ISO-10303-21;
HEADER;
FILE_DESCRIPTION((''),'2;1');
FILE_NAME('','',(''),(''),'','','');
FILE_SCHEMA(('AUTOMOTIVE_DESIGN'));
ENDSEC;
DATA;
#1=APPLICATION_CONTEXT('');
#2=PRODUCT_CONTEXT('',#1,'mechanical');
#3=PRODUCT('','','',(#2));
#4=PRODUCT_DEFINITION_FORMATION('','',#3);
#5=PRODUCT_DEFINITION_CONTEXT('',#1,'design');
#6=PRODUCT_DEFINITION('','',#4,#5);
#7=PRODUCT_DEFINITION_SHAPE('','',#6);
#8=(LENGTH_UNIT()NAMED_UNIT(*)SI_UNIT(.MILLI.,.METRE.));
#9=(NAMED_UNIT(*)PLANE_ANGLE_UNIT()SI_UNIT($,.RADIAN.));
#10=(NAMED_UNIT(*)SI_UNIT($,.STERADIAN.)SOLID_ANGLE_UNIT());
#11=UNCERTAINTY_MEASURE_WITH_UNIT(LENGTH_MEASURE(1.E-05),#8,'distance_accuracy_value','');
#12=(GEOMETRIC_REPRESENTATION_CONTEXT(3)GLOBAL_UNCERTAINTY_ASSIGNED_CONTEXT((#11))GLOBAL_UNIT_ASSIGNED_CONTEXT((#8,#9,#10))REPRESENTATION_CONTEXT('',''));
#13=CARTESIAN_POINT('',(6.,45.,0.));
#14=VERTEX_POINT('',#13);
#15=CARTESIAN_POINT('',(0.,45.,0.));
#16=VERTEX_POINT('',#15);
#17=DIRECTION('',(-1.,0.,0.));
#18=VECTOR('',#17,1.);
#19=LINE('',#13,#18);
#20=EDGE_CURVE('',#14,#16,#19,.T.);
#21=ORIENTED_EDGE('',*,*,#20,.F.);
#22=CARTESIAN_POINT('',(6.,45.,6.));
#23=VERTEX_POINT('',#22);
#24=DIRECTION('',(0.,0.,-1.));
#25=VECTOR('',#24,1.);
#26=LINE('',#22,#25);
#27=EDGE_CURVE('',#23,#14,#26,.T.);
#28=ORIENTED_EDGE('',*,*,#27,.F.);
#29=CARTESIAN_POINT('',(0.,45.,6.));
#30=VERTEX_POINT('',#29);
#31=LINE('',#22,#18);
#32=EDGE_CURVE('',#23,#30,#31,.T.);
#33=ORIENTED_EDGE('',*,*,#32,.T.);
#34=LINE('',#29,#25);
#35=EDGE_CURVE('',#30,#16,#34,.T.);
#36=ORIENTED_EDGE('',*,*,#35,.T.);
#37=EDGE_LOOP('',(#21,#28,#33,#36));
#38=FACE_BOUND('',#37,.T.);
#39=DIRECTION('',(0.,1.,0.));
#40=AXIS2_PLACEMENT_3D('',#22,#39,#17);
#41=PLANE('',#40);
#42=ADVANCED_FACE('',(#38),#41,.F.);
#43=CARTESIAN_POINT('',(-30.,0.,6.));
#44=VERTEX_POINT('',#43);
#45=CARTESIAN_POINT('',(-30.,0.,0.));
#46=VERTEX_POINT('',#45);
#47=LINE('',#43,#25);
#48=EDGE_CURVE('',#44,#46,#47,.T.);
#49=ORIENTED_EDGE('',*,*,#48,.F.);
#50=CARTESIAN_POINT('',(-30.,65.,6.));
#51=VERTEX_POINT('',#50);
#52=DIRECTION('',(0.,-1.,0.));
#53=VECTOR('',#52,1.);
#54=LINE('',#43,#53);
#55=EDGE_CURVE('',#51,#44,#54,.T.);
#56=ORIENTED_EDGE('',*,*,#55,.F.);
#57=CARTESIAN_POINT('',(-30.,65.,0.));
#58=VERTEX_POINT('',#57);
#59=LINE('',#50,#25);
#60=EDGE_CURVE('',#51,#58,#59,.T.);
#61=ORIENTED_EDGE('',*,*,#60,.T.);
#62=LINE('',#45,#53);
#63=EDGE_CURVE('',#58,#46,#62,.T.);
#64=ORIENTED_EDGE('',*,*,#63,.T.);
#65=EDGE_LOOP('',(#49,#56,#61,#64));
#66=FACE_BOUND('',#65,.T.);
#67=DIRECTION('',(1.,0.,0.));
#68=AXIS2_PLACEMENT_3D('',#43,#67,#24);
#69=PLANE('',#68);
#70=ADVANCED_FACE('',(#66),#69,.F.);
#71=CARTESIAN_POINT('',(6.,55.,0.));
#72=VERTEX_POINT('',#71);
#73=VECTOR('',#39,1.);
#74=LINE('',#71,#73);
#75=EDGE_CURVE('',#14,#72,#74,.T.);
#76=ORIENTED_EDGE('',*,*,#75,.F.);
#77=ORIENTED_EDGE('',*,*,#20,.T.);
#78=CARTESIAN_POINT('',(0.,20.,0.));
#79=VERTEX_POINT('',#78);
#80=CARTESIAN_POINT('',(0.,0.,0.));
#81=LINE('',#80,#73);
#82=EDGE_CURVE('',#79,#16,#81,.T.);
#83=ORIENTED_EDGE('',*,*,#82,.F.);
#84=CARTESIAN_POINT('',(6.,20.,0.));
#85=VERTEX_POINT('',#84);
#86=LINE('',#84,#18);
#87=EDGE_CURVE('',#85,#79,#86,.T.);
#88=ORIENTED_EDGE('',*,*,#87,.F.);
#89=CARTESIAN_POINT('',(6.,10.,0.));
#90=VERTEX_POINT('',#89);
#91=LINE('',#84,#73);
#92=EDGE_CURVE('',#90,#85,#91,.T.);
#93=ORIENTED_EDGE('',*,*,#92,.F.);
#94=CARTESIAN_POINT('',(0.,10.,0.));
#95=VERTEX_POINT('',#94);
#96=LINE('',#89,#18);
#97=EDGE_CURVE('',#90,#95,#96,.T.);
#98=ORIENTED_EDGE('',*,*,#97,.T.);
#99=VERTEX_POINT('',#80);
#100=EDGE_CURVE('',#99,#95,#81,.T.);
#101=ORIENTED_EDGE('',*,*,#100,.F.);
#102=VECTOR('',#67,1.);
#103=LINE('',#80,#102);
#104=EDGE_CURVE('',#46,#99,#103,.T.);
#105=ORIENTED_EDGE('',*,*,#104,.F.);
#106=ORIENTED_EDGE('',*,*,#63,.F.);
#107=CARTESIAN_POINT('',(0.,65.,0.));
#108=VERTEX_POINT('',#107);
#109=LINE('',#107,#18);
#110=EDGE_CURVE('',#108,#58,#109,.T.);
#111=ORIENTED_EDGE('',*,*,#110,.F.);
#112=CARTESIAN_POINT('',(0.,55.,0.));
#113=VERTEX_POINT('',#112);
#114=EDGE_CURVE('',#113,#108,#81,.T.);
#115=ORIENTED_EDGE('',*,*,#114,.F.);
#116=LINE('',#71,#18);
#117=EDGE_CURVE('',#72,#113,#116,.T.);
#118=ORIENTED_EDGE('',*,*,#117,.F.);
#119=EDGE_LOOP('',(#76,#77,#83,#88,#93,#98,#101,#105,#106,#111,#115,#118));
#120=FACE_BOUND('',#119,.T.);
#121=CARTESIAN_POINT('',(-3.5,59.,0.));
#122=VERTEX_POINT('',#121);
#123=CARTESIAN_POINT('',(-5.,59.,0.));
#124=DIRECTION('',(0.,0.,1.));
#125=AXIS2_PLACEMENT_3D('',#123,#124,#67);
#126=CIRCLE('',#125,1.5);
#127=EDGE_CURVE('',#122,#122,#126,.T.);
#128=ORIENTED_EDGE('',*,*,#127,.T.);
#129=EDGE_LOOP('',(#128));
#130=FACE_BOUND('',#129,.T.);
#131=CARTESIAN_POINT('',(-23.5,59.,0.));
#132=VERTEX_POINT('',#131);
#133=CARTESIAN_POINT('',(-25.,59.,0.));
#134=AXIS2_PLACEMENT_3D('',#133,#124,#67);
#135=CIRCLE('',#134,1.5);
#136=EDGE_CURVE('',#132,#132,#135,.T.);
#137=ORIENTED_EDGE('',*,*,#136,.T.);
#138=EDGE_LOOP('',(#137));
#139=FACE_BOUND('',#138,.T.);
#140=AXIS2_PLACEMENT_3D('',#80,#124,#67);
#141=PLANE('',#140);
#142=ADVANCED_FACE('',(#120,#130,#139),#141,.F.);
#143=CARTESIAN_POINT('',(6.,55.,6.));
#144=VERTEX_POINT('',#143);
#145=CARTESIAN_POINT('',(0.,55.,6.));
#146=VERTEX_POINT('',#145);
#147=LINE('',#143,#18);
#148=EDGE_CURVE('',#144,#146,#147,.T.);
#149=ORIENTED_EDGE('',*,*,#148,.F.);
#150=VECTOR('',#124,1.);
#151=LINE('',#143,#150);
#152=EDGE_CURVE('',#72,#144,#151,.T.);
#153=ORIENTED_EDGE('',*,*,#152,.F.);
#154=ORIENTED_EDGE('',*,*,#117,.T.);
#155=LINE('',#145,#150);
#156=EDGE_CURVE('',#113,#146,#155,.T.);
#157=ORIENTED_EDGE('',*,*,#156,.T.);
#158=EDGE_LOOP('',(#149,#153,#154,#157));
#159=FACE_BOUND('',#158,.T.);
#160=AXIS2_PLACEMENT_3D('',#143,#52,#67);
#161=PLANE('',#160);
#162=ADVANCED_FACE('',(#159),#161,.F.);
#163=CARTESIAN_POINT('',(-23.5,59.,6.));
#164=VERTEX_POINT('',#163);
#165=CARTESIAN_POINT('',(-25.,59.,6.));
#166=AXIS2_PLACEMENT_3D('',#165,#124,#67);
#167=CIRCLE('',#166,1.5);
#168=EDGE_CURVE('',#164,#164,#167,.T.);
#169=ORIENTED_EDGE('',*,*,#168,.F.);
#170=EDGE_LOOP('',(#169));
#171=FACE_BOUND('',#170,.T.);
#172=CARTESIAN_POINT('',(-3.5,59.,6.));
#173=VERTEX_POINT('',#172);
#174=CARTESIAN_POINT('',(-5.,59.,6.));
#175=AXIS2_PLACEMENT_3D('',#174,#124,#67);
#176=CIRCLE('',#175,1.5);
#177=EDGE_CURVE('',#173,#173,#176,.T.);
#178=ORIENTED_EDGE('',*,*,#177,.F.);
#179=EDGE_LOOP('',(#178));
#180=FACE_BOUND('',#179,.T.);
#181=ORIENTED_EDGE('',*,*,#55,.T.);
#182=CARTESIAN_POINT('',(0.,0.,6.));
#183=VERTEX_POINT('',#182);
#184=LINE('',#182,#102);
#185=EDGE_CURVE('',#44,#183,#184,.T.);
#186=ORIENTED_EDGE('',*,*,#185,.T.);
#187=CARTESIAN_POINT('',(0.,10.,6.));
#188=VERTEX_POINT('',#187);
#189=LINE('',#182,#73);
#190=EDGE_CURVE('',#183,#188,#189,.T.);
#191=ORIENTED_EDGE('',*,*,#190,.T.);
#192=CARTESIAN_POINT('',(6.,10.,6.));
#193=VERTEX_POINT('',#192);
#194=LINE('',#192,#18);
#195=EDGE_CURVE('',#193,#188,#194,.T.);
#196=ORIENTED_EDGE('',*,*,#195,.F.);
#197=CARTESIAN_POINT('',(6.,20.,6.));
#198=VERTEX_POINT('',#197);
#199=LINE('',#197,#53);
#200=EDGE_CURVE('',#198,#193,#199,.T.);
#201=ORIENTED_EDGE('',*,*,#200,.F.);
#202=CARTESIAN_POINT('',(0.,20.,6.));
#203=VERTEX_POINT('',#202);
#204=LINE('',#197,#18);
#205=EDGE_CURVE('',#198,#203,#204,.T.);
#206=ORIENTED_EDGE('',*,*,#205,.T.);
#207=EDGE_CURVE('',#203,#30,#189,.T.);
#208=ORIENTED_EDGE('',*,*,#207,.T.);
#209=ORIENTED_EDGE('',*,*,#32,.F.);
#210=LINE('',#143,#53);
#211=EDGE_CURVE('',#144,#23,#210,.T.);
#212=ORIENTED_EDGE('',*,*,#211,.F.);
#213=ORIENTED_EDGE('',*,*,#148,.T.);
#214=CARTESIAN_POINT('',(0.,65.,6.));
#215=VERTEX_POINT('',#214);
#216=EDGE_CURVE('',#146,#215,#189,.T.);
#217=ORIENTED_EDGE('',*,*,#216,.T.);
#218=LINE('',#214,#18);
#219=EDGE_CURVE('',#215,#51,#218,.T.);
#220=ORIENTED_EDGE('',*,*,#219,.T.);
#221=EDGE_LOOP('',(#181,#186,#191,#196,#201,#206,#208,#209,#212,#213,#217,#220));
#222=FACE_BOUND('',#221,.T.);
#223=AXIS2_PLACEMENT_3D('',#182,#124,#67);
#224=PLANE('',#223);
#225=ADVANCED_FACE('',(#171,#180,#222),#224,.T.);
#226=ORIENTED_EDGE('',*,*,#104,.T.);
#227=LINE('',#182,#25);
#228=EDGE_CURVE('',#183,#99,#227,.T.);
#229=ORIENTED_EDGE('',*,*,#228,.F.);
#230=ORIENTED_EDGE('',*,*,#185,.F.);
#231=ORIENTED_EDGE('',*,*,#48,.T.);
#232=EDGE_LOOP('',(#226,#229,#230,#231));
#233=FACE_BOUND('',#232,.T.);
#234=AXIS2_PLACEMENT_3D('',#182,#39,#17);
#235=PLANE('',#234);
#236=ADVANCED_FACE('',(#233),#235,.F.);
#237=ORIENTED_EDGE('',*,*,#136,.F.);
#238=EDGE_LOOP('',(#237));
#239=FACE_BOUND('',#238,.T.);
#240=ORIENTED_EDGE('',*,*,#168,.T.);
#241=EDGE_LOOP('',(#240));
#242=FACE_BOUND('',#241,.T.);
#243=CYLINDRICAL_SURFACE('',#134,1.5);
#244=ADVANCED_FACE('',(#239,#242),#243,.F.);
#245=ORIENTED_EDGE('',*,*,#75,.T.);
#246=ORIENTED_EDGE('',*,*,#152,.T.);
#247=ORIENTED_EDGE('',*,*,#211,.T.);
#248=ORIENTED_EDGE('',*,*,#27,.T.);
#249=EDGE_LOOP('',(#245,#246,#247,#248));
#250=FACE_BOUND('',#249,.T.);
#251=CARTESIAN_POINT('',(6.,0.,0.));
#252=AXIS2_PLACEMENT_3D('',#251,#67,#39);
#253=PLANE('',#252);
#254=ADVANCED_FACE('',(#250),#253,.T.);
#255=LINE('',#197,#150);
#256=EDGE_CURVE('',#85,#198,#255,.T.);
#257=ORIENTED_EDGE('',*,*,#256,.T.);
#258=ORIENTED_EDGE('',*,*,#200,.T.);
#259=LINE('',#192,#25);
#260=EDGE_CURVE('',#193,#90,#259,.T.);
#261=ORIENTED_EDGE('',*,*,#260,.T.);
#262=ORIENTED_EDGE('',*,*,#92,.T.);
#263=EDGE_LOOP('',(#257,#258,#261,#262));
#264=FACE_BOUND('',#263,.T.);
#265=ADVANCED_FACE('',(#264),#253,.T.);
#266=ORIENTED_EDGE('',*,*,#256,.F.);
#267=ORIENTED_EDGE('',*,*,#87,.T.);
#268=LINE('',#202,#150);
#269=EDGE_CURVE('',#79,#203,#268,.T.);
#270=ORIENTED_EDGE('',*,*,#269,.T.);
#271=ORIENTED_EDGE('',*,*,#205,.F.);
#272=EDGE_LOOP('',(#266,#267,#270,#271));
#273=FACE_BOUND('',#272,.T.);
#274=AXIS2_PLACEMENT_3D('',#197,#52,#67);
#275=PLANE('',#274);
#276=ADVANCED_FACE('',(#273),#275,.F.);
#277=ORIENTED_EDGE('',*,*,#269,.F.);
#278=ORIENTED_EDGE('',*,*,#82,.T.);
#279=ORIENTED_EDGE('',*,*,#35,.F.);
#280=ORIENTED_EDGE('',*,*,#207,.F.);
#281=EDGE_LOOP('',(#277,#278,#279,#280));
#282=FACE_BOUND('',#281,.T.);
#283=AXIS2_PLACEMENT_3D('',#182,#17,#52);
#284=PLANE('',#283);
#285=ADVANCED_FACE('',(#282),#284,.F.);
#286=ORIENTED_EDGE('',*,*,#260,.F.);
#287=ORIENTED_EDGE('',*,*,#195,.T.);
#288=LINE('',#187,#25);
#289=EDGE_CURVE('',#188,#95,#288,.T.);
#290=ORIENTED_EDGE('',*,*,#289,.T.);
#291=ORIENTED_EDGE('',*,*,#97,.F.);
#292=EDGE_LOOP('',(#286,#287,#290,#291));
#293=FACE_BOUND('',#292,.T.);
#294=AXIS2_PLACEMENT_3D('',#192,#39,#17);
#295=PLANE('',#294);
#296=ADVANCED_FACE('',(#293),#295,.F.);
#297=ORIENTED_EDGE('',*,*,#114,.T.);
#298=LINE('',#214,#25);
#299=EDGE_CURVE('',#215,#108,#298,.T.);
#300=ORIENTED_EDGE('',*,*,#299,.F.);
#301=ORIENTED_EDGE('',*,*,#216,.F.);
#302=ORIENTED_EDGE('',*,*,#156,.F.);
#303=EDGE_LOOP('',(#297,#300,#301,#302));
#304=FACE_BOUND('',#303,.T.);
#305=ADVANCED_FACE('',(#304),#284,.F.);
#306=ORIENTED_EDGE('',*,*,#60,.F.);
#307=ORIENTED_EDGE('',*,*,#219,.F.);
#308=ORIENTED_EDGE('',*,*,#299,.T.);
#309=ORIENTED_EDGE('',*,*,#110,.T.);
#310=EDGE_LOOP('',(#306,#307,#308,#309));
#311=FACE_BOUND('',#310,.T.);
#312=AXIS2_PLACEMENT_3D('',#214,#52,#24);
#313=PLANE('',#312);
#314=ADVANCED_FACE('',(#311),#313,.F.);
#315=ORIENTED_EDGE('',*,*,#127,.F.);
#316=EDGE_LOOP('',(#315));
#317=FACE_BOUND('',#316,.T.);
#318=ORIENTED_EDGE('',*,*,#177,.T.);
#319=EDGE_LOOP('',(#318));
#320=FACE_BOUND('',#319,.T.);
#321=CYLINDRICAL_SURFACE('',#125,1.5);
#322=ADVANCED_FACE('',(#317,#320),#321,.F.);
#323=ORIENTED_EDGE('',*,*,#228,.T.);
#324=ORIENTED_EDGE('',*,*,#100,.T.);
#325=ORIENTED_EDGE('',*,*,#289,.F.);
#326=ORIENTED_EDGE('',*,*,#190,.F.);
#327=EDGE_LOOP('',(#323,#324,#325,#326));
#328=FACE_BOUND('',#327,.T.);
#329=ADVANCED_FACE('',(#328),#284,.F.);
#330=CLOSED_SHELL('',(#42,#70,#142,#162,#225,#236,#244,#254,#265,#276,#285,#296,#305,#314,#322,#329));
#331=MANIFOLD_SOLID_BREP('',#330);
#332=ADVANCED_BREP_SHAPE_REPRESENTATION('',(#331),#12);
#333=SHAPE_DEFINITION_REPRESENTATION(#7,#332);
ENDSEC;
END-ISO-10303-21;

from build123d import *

# Parameters (mm, degrees)
ESQUISSE1_W             = 30
ESQUISSE1_H             = 65
BOSS_EXTRU_1_DEPTH      = 6
ESQUISSE2_W             = 6
ESQUISSE2_H             = 10
BOSS_EXTRU_3_DEPTH      = 6
ESQUISSE3_R             = 1.5
ENL_V_MAT_EXTRU_1_DEPTH = 6


with BuildPart() as part:
    # Esquisse1 → Boss.-Extru.1 (new body)
    with BuildSketch(Plane.XY):
        with Locations((-15, 32.5)):
            Rectangle(ESQUISSE1_W, ESQUISSE1_H)
    extrude(amount=BOSS_EXTRU_1_DEPTH)

    # Esquisse2 → Boss.-Extru.3 (add)
    with BuildSketch(Plane(origin=(0, 0, 0), x_dir=(0, 0, -1), z_dir=(1, 0, 0))):
        with Locations((-3, 15)):
            Rectangle(ESQUISSE2_W, ESQUISSE2_H)
        with Locations((-3, 50)):
            Rectangle(ESQUISSE2_W, ESQUISSE2_H)
    extrude(amount=BOSS_EXTRU_3_DEPTH)

    # Esquisse3 → Enlèv. mat.-Extru.1 (cut)
    with BuildSketch(Plane.XY.offset(6)):
        with Locations((-25, 59)):
            Circle(ESQUISSE3_R)
        with Locations((-5, 59)):
            Circle(ESQUISSE3_R)
    extrude(amount=-ENL_V_MAT_EXTRU_1_DEPTH, mode=Mode.SUBTRACT)


solid = part.part
